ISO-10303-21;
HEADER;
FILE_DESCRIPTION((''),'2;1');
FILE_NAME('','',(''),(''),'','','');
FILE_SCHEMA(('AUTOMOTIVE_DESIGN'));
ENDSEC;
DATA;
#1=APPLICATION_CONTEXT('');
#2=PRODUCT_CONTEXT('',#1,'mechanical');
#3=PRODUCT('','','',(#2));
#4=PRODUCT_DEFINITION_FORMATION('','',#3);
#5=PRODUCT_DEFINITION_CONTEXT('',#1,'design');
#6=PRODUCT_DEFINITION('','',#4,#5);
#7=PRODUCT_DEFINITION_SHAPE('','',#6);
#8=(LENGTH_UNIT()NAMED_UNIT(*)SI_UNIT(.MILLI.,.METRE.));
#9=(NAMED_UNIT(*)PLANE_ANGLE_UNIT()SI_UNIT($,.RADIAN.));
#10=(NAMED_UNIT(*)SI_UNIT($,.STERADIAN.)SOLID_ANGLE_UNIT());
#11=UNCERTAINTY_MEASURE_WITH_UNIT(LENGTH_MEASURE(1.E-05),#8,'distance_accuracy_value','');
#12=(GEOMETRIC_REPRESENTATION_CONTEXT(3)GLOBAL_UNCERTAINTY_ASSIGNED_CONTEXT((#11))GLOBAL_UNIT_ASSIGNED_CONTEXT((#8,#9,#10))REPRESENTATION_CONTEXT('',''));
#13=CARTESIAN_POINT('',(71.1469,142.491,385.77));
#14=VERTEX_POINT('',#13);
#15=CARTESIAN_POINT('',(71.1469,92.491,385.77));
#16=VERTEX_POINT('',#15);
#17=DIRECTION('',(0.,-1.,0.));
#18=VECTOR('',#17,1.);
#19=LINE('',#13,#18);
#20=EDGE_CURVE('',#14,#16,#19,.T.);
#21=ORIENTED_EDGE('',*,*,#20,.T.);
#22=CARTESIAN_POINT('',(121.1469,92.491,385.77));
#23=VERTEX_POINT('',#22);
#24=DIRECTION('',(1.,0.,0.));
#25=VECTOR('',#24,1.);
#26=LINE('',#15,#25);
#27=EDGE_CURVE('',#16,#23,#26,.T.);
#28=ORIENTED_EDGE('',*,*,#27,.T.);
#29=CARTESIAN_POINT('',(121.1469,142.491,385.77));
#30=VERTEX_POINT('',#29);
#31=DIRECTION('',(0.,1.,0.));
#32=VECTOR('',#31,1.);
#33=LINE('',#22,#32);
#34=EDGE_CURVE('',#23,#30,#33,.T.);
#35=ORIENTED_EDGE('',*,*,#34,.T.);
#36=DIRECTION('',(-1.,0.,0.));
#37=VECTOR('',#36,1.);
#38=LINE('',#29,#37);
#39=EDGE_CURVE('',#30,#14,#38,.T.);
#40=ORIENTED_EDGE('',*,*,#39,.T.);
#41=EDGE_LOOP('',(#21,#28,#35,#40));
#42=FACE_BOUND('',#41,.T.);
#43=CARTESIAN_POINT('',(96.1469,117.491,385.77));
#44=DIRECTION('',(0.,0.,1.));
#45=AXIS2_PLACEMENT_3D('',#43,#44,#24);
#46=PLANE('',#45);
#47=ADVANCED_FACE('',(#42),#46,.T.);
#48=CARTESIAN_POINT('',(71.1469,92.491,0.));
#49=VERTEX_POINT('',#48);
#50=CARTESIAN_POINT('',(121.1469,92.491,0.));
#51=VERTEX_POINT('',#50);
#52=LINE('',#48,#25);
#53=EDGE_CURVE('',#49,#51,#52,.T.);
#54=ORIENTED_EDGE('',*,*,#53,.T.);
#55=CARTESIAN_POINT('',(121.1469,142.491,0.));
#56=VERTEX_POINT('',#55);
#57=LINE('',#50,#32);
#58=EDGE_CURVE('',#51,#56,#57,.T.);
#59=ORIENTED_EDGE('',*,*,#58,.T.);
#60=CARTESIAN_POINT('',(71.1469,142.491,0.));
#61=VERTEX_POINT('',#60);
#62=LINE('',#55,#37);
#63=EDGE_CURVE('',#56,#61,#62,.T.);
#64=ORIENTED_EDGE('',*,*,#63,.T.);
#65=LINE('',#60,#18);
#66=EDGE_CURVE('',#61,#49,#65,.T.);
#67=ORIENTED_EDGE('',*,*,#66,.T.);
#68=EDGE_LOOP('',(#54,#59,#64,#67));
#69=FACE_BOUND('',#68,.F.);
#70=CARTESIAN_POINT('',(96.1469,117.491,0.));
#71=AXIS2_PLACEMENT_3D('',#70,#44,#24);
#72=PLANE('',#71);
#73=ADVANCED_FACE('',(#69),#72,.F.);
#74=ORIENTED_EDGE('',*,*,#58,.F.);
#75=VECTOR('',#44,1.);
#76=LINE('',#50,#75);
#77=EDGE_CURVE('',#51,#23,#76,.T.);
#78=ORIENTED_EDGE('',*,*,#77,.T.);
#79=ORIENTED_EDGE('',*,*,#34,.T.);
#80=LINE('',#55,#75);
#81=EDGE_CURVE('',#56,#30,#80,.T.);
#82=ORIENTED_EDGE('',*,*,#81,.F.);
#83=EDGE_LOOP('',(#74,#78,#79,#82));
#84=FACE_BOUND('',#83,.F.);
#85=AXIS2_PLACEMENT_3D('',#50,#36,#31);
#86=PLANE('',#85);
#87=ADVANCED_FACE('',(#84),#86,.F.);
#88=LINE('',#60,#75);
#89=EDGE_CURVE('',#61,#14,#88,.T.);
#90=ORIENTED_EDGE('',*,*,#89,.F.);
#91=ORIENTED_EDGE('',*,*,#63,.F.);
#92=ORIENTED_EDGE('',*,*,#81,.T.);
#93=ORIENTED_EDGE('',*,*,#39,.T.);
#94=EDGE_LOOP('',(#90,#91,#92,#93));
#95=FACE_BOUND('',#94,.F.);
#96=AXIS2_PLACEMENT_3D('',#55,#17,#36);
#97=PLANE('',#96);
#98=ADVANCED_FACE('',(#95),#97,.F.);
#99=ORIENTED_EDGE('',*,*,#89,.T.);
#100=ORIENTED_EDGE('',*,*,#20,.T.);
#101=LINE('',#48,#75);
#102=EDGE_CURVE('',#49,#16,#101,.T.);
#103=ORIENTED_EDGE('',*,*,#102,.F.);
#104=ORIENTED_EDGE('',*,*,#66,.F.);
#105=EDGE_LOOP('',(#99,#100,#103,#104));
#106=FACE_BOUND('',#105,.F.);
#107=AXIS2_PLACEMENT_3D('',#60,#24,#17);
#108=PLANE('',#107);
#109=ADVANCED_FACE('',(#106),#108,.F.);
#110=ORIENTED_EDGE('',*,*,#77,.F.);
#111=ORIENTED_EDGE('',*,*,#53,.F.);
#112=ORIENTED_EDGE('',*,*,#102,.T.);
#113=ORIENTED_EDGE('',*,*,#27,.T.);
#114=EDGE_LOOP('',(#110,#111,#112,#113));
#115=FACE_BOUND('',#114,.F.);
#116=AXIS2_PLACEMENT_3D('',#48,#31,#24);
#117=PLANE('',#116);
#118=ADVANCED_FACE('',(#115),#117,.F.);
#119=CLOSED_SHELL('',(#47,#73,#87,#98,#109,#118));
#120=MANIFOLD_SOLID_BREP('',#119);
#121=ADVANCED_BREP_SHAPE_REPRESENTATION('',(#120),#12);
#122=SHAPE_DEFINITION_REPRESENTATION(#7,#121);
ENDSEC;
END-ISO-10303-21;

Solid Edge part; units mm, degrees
sketch "Sketch1" plane through (0, 0, 0) normal (0, 0, 1) x (1, 0, 0)
  line L0 (71.1469, 92.491) -> (121.1469, 92.491)
  line L1 (121.1469, 92.491) -> (121.1469, 142.491)
  line L2 (121.1469, 142.491) -> (71.1469, 142.491)
  line L3 (71.1469, 142.491) -> (71.1469, 92.491)
  dimension "D1" = 50
  dimension "D2" = 50
extrude "Ajout_matière_1" add sketch "Sketch1" along normal blind 385.77
properties material "Bois Epinette"
